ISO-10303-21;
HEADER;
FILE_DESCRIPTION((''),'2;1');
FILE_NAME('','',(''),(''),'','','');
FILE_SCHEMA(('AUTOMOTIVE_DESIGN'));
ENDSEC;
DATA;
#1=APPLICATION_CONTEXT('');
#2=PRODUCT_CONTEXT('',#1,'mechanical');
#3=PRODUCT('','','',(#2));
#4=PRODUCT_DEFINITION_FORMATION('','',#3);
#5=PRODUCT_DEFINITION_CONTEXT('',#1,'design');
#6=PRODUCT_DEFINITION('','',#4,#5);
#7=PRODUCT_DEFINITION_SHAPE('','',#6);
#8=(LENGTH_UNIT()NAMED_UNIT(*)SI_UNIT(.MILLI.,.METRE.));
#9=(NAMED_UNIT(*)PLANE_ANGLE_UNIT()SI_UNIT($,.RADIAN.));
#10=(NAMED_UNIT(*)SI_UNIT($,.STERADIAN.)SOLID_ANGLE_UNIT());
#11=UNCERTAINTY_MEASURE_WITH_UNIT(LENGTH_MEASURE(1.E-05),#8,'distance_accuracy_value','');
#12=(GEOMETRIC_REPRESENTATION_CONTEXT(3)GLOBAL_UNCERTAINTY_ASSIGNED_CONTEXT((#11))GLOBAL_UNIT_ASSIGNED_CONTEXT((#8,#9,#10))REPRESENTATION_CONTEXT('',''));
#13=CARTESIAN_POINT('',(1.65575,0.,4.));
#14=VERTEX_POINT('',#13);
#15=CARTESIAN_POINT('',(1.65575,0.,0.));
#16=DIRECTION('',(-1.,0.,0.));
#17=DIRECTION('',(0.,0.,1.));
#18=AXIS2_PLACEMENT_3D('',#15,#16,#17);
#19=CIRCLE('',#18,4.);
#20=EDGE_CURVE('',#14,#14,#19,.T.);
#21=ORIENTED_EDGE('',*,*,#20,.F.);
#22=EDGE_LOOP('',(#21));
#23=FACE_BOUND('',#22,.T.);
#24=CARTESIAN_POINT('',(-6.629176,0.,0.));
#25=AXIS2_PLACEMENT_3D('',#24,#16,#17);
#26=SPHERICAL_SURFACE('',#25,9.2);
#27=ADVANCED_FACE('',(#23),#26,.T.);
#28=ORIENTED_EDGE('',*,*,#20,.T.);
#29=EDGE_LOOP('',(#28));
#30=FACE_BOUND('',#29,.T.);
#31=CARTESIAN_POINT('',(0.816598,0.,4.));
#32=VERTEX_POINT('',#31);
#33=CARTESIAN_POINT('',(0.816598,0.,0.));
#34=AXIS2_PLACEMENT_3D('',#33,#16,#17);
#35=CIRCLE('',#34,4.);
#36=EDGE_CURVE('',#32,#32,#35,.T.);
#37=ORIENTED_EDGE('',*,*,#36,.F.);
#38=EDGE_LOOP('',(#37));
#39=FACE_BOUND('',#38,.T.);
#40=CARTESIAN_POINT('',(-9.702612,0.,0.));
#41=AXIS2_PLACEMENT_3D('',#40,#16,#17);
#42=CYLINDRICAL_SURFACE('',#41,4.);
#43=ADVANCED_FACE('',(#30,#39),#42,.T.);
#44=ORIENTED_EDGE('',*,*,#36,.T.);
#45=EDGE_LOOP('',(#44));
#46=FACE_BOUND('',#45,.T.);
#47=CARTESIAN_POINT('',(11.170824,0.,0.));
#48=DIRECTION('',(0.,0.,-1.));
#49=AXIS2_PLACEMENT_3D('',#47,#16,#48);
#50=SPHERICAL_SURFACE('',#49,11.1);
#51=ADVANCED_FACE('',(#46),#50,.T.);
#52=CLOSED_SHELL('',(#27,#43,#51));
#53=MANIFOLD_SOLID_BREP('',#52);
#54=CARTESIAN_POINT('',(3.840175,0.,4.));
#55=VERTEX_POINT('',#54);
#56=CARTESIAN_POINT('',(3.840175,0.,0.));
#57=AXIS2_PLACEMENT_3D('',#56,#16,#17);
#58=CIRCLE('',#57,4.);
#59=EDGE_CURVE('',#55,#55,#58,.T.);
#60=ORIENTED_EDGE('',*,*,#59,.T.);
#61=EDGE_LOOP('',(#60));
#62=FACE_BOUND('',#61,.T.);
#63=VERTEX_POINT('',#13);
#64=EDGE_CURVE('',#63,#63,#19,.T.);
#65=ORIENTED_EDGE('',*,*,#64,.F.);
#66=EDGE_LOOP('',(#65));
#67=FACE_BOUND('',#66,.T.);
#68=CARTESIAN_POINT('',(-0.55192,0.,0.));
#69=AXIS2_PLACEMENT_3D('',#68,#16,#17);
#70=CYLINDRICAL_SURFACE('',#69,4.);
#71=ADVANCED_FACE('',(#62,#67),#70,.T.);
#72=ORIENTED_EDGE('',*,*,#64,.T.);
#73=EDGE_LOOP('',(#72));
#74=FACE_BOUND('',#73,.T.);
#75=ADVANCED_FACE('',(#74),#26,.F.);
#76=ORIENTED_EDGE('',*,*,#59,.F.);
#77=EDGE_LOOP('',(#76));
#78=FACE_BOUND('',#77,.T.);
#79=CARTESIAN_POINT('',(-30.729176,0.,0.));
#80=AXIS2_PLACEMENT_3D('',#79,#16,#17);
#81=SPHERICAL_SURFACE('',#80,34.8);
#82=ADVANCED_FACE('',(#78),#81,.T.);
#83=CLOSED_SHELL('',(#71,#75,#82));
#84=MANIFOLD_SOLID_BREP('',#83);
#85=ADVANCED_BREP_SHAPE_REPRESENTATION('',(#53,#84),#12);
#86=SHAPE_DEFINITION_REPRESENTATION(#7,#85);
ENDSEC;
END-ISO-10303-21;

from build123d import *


with BuildPart() as part:
    # 草图1 one side → 旋转1 (revolve)
    with BuildSketch(Plane(origin=(0, 0, 0), x_dir=(1, 0, 0), z_dir=(0, 1, 0)), mode=Mode.PRIVATE) as revolve_1_sk:
        with BuildLine():
            ThreePointArc((0.816598139, 4), (0.258860466, 2.034464215), (0.070824329, 0))
            Line((0.070824329, 0), (2.570824329, 0))
            ThreePointArc((2.570824329, 0), (2.339138548, 2.051667632), (1.6557504, 4))
            Line((1.6557504, 4), (0.816598139, 4))
        make_face()
    revolve(revolve_1_sk.sketch.rotate(Axis((-9.702612178, 0, 0), (1, 0, 0)), 180), axis=Axis((-9.702612178, 0, 0), (1, 0, 0)))  # turned: the seam where the file's is


with BuildPart() as body_2:
    # 草图2 one side → 旋转3 (revolve)
    with BuildSketch(Plane(origin=(0, 0, 0), x_dir=(1, 0, 0), z_dir=(0, 1, 0)), mode=Mode.PRIVATE) as revolve_3_sk:
        with BuildLine():
            Line((3.840174916, 4), (1.6557504, 4))
            ThreePointArc((1.6557504, 4), (2.339138548, 2.051667632), (2.570824329, 0))
            Line((2.570824329, 0), (4.070824329, 0))
            ThreePointArc((4.070824329, 0), (4.013114124, 2.003322188), (3.840174916, 4))
        make_face()
    revolve(revolve_3_sk.sketch.rotate(Axis((-0.551919993, 0, 0), (1, 0, 0)), 180), axis=Axis((-0.551919993, 0, 0), (1, 0, 0)))  # turned: the seam where the file's is


solid = Compound([part.part, body_2.part])
